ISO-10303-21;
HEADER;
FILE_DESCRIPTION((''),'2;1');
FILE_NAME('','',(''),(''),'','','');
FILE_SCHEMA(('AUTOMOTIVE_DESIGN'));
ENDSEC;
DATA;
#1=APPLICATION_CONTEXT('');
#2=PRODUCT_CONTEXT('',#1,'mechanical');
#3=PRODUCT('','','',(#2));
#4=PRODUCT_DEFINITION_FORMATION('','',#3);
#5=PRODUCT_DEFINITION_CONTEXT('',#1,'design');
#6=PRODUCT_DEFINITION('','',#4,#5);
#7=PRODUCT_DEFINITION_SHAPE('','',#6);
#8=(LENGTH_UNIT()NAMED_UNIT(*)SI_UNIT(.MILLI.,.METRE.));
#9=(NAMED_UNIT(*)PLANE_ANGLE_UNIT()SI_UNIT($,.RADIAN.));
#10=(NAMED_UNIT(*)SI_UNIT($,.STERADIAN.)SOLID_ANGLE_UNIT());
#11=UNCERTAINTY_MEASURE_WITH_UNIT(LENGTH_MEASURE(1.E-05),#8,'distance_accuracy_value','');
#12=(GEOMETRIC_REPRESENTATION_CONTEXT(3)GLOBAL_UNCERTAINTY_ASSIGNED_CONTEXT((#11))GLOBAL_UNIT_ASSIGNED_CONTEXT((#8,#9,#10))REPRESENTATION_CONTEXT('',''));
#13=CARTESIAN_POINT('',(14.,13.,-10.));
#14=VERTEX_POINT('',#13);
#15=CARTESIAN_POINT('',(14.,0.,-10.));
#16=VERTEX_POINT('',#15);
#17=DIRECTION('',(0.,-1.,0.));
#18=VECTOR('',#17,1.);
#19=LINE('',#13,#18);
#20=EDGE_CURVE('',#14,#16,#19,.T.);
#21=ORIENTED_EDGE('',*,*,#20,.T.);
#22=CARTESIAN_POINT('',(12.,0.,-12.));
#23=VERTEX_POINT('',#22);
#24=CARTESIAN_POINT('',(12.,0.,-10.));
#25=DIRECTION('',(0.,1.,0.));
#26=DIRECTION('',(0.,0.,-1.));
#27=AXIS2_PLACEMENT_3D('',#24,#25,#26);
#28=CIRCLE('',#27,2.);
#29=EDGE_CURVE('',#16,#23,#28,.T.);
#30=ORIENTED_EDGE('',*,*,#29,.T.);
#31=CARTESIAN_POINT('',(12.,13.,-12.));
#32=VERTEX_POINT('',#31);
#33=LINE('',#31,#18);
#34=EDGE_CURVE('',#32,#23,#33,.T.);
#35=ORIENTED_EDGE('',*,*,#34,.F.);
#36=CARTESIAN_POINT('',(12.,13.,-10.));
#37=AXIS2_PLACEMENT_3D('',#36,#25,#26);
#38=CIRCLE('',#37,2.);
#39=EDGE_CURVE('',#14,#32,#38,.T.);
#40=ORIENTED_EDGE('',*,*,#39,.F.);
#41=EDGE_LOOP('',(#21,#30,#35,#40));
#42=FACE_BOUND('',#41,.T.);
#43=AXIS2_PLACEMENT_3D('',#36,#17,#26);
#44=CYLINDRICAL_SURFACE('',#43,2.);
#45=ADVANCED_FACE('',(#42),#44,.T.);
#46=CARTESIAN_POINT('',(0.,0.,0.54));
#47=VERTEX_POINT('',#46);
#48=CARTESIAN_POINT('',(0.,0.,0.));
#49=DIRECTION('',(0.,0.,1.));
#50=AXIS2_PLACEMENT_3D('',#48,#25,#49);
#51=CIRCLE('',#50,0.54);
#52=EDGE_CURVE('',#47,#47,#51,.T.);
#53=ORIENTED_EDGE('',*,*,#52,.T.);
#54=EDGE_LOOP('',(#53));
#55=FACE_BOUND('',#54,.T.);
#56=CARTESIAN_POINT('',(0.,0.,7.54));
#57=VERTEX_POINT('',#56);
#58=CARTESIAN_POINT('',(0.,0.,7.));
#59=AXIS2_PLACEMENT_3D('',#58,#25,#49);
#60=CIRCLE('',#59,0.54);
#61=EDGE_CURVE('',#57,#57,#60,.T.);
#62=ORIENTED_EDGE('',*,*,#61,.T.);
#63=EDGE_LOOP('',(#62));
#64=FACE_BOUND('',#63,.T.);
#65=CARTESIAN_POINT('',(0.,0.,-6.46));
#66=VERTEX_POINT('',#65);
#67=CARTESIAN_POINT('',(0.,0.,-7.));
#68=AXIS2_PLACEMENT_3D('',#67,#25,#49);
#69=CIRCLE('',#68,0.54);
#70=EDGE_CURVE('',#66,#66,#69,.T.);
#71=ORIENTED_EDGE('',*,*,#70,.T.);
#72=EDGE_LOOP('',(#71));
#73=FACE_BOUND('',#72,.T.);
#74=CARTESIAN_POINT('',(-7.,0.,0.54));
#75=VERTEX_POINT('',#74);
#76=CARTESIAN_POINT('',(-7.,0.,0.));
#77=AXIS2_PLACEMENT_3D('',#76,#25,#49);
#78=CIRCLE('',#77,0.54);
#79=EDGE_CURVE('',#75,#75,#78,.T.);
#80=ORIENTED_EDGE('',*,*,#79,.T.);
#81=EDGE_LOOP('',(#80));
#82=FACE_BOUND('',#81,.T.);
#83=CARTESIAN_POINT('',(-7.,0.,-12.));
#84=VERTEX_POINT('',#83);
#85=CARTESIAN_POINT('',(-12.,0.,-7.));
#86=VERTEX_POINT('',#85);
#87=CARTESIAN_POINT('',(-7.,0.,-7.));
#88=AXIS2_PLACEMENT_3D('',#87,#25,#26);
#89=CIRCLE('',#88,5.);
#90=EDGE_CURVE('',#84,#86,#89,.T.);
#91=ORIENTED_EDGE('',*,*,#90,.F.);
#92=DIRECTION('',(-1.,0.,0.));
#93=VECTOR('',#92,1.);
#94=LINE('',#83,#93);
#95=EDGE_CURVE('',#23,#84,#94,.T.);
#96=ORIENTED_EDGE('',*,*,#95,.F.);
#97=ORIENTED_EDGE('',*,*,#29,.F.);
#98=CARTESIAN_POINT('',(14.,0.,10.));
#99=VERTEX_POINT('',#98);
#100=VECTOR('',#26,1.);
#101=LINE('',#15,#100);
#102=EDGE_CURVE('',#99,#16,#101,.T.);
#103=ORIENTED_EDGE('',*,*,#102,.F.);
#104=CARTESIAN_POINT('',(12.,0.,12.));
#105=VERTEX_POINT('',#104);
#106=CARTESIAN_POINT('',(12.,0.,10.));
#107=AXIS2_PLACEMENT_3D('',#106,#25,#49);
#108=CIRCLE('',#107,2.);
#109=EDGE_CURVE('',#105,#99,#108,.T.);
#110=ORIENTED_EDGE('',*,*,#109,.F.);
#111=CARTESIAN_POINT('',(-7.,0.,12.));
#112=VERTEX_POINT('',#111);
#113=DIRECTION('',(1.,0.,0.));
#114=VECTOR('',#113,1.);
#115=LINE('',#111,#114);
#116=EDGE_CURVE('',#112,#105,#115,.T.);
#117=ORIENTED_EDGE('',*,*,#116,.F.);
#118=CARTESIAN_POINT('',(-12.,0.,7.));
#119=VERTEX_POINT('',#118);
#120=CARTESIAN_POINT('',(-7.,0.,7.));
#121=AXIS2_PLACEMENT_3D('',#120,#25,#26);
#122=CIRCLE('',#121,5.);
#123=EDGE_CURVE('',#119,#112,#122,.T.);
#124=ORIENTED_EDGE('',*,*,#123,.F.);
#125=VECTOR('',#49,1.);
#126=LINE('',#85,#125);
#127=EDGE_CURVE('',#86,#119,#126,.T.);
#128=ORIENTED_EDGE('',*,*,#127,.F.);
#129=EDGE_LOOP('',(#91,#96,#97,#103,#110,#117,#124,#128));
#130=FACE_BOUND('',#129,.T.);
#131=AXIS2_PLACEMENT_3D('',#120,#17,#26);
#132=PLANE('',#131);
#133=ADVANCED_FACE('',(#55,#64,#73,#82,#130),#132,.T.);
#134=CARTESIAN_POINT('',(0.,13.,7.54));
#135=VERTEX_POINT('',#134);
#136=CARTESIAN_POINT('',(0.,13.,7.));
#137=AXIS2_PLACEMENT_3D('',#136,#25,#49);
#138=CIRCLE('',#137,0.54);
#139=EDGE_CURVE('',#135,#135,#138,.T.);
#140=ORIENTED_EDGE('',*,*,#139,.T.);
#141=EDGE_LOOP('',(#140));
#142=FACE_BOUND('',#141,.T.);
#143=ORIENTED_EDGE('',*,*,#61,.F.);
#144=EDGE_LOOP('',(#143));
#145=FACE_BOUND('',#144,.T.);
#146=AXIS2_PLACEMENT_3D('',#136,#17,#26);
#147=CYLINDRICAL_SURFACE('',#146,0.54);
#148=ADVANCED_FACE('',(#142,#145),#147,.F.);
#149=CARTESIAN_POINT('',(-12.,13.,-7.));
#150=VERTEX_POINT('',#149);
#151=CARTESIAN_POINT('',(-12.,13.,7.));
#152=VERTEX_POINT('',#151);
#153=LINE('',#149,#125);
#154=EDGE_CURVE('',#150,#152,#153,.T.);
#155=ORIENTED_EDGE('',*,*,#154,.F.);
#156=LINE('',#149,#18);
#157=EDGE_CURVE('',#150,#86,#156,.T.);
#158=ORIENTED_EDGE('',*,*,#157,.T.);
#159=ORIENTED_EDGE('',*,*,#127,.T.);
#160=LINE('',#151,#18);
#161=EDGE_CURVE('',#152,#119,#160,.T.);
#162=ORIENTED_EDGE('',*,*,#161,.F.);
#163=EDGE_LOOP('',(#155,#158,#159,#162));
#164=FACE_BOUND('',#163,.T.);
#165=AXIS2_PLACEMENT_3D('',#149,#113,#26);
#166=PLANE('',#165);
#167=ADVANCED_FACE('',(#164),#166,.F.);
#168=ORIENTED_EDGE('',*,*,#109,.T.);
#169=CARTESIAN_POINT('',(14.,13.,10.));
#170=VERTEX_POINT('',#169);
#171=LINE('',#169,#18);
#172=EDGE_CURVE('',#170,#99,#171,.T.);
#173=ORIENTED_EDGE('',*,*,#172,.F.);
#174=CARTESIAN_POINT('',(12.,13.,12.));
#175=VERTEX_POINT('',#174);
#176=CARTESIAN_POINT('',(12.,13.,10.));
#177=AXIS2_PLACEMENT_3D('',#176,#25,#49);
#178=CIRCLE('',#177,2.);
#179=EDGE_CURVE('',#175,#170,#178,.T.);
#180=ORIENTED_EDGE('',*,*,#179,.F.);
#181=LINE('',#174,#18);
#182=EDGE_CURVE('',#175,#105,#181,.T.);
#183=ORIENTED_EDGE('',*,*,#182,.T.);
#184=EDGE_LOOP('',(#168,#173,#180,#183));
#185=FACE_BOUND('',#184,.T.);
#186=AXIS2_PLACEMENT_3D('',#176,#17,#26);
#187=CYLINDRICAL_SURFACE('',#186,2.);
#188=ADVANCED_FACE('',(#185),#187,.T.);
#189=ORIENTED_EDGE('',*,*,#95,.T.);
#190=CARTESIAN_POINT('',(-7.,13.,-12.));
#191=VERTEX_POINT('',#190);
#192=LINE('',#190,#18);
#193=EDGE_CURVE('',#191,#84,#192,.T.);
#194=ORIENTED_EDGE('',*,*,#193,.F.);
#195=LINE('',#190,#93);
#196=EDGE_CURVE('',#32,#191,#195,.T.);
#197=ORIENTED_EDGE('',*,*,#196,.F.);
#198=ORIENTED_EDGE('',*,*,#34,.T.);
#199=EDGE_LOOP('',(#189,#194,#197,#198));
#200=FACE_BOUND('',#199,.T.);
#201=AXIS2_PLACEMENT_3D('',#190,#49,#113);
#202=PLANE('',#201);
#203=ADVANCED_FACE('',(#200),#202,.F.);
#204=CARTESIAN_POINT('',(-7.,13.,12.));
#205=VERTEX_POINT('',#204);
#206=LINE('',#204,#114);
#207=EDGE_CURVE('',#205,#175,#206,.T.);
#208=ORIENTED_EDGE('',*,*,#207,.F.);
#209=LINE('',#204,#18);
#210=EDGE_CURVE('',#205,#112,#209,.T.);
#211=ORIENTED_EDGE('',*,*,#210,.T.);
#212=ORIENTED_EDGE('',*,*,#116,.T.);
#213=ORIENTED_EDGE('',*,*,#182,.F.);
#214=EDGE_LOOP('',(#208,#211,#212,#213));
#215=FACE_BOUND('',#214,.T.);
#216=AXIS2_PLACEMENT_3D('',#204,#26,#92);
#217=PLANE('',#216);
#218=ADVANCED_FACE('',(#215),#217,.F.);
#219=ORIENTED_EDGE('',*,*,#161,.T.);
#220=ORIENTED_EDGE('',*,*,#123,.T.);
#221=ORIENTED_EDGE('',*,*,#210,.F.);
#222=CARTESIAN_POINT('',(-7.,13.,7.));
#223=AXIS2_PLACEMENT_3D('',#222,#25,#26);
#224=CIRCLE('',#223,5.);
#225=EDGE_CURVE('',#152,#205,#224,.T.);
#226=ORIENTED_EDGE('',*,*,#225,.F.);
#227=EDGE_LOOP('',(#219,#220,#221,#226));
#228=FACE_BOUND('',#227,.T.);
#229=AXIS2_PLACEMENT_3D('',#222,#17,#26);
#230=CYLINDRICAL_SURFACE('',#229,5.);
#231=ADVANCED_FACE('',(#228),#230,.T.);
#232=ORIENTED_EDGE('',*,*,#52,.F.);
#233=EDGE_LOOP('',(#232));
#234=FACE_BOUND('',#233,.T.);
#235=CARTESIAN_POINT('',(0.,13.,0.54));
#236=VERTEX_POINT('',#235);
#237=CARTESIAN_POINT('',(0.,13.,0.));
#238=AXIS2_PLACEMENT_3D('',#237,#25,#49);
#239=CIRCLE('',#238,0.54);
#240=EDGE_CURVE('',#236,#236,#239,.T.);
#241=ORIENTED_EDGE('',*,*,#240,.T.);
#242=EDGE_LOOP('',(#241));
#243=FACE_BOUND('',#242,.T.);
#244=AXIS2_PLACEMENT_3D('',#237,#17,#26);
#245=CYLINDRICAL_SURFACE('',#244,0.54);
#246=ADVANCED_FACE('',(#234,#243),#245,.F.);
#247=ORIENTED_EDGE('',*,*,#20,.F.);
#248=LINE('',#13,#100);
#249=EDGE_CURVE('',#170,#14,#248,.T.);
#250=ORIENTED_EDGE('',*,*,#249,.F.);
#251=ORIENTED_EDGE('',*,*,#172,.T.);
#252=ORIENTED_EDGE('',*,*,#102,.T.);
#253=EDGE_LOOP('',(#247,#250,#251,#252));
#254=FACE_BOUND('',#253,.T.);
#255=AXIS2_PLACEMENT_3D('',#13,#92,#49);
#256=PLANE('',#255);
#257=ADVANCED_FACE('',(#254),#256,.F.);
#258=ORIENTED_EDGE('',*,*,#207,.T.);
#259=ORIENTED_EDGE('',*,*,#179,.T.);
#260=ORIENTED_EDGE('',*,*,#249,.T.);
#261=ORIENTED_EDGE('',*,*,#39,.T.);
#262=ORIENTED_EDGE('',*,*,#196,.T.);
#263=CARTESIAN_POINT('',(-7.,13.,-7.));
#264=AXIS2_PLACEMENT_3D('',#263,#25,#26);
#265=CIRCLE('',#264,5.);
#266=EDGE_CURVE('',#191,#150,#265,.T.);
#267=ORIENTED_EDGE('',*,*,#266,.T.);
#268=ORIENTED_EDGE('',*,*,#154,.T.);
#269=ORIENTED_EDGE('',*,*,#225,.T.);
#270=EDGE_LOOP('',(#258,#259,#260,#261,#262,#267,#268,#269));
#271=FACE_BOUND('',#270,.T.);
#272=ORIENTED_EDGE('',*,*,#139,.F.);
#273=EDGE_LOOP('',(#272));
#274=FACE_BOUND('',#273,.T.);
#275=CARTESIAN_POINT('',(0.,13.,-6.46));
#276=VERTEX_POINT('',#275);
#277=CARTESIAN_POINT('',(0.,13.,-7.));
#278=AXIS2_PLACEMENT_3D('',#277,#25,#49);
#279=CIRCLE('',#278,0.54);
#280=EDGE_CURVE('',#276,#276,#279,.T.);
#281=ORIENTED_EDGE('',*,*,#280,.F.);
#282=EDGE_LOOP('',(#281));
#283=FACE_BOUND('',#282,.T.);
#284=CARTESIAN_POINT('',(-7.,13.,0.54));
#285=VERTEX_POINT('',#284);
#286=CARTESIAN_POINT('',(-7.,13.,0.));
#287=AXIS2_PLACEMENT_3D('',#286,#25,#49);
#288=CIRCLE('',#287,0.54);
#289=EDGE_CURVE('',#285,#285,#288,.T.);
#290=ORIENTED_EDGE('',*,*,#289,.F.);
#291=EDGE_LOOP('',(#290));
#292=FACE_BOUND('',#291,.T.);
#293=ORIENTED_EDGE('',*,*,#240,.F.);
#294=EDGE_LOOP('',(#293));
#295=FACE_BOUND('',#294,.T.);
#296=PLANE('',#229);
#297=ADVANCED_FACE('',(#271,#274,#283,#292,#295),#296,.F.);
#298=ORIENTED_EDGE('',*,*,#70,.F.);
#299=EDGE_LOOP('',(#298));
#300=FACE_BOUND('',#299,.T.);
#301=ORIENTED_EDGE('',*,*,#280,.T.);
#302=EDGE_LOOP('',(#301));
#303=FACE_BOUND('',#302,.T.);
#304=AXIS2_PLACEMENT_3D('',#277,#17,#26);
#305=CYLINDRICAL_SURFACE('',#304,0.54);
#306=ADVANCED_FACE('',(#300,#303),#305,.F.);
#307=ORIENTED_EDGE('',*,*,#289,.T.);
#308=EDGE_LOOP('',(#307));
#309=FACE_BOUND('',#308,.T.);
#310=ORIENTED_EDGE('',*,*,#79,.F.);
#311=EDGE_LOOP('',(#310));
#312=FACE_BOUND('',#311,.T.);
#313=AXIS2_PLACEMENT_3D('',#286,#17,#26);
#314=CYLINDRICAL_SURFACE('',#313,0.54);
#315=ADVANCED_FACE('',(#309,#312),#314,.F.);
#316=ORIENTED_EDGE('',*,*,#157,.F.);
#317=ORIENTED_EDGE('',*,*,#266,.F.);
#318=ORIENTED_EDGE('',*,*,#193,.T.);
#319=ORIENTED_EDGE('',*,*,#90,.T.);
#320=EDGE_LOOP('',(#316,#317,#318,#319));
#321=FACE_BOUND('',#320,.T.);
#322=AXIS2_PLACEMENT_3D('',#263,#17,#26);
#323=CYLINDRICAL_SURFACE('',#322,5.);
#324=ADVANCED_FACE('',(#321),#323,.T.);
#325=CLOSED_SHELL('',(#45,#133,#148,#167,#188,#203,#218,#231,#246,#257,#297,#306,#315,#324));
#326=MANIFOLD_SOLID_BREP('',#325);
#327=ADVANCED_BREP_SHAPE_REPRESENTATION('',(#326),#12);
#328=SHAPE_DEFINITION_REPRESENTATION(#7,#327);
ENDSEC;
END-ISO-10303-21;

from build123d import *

# Parameters (mm, degrees)
SKETCH1_R           = 0.54
BOSS_EXTRUDE1_DEPTH = 13


with BuildPart() as part:
    # Sketch1 → Boss-Extrude1 (new body)
    with BuildSketch(Plane(origin=(0, 0, 0), x_dir=(1, 0, 0), z_dir=(0, 1, 0))):
        with BuildLine():
            Line((-7, 12), (12, 12))
            ThreePointArc((12, 12), (13.414213562, 11.414213562), (14, 10))
            Line((14, 10), (14, -10))
            ThreePointArc((14, -10), (13.414213562, -11.414213562), (12, -12))
            Line((12, -12), (-7, -12))
            ThreePointArc((-7, -12), (-10.535533906, -10.535533906), (-12, -7))
            Line((-12, -7), (-12, 7))
            ThreePointArc((-12, 7), (-10.535533906, 10.535533906), (-7, 12))
        make_face()
        with Locations(Location((0, 0, 0), (0, 0, 270))):
            Circle(SKETCH1_R, mode=Mode.SUBTRACT)
        with Locations(Location((-7, 0, 0), (0, 0, 270))):
            Circle(SKETCH1_R, mode=Mode.SUBTRACT)
        with Locations(Location((0, 7, 0), (0, 0, 270))):
            Circle(SKETCH1_R, mode=Mode.SUBTRACT)
        with Locations(Location((0, -7, 0), (0, 0, 270))):
            Circle(SKETCH1_R, mode=Mode.SUBTRACT)
    extrude(amount=BOSS_EXTRUDE1_DEPTH)


solid = part.part
